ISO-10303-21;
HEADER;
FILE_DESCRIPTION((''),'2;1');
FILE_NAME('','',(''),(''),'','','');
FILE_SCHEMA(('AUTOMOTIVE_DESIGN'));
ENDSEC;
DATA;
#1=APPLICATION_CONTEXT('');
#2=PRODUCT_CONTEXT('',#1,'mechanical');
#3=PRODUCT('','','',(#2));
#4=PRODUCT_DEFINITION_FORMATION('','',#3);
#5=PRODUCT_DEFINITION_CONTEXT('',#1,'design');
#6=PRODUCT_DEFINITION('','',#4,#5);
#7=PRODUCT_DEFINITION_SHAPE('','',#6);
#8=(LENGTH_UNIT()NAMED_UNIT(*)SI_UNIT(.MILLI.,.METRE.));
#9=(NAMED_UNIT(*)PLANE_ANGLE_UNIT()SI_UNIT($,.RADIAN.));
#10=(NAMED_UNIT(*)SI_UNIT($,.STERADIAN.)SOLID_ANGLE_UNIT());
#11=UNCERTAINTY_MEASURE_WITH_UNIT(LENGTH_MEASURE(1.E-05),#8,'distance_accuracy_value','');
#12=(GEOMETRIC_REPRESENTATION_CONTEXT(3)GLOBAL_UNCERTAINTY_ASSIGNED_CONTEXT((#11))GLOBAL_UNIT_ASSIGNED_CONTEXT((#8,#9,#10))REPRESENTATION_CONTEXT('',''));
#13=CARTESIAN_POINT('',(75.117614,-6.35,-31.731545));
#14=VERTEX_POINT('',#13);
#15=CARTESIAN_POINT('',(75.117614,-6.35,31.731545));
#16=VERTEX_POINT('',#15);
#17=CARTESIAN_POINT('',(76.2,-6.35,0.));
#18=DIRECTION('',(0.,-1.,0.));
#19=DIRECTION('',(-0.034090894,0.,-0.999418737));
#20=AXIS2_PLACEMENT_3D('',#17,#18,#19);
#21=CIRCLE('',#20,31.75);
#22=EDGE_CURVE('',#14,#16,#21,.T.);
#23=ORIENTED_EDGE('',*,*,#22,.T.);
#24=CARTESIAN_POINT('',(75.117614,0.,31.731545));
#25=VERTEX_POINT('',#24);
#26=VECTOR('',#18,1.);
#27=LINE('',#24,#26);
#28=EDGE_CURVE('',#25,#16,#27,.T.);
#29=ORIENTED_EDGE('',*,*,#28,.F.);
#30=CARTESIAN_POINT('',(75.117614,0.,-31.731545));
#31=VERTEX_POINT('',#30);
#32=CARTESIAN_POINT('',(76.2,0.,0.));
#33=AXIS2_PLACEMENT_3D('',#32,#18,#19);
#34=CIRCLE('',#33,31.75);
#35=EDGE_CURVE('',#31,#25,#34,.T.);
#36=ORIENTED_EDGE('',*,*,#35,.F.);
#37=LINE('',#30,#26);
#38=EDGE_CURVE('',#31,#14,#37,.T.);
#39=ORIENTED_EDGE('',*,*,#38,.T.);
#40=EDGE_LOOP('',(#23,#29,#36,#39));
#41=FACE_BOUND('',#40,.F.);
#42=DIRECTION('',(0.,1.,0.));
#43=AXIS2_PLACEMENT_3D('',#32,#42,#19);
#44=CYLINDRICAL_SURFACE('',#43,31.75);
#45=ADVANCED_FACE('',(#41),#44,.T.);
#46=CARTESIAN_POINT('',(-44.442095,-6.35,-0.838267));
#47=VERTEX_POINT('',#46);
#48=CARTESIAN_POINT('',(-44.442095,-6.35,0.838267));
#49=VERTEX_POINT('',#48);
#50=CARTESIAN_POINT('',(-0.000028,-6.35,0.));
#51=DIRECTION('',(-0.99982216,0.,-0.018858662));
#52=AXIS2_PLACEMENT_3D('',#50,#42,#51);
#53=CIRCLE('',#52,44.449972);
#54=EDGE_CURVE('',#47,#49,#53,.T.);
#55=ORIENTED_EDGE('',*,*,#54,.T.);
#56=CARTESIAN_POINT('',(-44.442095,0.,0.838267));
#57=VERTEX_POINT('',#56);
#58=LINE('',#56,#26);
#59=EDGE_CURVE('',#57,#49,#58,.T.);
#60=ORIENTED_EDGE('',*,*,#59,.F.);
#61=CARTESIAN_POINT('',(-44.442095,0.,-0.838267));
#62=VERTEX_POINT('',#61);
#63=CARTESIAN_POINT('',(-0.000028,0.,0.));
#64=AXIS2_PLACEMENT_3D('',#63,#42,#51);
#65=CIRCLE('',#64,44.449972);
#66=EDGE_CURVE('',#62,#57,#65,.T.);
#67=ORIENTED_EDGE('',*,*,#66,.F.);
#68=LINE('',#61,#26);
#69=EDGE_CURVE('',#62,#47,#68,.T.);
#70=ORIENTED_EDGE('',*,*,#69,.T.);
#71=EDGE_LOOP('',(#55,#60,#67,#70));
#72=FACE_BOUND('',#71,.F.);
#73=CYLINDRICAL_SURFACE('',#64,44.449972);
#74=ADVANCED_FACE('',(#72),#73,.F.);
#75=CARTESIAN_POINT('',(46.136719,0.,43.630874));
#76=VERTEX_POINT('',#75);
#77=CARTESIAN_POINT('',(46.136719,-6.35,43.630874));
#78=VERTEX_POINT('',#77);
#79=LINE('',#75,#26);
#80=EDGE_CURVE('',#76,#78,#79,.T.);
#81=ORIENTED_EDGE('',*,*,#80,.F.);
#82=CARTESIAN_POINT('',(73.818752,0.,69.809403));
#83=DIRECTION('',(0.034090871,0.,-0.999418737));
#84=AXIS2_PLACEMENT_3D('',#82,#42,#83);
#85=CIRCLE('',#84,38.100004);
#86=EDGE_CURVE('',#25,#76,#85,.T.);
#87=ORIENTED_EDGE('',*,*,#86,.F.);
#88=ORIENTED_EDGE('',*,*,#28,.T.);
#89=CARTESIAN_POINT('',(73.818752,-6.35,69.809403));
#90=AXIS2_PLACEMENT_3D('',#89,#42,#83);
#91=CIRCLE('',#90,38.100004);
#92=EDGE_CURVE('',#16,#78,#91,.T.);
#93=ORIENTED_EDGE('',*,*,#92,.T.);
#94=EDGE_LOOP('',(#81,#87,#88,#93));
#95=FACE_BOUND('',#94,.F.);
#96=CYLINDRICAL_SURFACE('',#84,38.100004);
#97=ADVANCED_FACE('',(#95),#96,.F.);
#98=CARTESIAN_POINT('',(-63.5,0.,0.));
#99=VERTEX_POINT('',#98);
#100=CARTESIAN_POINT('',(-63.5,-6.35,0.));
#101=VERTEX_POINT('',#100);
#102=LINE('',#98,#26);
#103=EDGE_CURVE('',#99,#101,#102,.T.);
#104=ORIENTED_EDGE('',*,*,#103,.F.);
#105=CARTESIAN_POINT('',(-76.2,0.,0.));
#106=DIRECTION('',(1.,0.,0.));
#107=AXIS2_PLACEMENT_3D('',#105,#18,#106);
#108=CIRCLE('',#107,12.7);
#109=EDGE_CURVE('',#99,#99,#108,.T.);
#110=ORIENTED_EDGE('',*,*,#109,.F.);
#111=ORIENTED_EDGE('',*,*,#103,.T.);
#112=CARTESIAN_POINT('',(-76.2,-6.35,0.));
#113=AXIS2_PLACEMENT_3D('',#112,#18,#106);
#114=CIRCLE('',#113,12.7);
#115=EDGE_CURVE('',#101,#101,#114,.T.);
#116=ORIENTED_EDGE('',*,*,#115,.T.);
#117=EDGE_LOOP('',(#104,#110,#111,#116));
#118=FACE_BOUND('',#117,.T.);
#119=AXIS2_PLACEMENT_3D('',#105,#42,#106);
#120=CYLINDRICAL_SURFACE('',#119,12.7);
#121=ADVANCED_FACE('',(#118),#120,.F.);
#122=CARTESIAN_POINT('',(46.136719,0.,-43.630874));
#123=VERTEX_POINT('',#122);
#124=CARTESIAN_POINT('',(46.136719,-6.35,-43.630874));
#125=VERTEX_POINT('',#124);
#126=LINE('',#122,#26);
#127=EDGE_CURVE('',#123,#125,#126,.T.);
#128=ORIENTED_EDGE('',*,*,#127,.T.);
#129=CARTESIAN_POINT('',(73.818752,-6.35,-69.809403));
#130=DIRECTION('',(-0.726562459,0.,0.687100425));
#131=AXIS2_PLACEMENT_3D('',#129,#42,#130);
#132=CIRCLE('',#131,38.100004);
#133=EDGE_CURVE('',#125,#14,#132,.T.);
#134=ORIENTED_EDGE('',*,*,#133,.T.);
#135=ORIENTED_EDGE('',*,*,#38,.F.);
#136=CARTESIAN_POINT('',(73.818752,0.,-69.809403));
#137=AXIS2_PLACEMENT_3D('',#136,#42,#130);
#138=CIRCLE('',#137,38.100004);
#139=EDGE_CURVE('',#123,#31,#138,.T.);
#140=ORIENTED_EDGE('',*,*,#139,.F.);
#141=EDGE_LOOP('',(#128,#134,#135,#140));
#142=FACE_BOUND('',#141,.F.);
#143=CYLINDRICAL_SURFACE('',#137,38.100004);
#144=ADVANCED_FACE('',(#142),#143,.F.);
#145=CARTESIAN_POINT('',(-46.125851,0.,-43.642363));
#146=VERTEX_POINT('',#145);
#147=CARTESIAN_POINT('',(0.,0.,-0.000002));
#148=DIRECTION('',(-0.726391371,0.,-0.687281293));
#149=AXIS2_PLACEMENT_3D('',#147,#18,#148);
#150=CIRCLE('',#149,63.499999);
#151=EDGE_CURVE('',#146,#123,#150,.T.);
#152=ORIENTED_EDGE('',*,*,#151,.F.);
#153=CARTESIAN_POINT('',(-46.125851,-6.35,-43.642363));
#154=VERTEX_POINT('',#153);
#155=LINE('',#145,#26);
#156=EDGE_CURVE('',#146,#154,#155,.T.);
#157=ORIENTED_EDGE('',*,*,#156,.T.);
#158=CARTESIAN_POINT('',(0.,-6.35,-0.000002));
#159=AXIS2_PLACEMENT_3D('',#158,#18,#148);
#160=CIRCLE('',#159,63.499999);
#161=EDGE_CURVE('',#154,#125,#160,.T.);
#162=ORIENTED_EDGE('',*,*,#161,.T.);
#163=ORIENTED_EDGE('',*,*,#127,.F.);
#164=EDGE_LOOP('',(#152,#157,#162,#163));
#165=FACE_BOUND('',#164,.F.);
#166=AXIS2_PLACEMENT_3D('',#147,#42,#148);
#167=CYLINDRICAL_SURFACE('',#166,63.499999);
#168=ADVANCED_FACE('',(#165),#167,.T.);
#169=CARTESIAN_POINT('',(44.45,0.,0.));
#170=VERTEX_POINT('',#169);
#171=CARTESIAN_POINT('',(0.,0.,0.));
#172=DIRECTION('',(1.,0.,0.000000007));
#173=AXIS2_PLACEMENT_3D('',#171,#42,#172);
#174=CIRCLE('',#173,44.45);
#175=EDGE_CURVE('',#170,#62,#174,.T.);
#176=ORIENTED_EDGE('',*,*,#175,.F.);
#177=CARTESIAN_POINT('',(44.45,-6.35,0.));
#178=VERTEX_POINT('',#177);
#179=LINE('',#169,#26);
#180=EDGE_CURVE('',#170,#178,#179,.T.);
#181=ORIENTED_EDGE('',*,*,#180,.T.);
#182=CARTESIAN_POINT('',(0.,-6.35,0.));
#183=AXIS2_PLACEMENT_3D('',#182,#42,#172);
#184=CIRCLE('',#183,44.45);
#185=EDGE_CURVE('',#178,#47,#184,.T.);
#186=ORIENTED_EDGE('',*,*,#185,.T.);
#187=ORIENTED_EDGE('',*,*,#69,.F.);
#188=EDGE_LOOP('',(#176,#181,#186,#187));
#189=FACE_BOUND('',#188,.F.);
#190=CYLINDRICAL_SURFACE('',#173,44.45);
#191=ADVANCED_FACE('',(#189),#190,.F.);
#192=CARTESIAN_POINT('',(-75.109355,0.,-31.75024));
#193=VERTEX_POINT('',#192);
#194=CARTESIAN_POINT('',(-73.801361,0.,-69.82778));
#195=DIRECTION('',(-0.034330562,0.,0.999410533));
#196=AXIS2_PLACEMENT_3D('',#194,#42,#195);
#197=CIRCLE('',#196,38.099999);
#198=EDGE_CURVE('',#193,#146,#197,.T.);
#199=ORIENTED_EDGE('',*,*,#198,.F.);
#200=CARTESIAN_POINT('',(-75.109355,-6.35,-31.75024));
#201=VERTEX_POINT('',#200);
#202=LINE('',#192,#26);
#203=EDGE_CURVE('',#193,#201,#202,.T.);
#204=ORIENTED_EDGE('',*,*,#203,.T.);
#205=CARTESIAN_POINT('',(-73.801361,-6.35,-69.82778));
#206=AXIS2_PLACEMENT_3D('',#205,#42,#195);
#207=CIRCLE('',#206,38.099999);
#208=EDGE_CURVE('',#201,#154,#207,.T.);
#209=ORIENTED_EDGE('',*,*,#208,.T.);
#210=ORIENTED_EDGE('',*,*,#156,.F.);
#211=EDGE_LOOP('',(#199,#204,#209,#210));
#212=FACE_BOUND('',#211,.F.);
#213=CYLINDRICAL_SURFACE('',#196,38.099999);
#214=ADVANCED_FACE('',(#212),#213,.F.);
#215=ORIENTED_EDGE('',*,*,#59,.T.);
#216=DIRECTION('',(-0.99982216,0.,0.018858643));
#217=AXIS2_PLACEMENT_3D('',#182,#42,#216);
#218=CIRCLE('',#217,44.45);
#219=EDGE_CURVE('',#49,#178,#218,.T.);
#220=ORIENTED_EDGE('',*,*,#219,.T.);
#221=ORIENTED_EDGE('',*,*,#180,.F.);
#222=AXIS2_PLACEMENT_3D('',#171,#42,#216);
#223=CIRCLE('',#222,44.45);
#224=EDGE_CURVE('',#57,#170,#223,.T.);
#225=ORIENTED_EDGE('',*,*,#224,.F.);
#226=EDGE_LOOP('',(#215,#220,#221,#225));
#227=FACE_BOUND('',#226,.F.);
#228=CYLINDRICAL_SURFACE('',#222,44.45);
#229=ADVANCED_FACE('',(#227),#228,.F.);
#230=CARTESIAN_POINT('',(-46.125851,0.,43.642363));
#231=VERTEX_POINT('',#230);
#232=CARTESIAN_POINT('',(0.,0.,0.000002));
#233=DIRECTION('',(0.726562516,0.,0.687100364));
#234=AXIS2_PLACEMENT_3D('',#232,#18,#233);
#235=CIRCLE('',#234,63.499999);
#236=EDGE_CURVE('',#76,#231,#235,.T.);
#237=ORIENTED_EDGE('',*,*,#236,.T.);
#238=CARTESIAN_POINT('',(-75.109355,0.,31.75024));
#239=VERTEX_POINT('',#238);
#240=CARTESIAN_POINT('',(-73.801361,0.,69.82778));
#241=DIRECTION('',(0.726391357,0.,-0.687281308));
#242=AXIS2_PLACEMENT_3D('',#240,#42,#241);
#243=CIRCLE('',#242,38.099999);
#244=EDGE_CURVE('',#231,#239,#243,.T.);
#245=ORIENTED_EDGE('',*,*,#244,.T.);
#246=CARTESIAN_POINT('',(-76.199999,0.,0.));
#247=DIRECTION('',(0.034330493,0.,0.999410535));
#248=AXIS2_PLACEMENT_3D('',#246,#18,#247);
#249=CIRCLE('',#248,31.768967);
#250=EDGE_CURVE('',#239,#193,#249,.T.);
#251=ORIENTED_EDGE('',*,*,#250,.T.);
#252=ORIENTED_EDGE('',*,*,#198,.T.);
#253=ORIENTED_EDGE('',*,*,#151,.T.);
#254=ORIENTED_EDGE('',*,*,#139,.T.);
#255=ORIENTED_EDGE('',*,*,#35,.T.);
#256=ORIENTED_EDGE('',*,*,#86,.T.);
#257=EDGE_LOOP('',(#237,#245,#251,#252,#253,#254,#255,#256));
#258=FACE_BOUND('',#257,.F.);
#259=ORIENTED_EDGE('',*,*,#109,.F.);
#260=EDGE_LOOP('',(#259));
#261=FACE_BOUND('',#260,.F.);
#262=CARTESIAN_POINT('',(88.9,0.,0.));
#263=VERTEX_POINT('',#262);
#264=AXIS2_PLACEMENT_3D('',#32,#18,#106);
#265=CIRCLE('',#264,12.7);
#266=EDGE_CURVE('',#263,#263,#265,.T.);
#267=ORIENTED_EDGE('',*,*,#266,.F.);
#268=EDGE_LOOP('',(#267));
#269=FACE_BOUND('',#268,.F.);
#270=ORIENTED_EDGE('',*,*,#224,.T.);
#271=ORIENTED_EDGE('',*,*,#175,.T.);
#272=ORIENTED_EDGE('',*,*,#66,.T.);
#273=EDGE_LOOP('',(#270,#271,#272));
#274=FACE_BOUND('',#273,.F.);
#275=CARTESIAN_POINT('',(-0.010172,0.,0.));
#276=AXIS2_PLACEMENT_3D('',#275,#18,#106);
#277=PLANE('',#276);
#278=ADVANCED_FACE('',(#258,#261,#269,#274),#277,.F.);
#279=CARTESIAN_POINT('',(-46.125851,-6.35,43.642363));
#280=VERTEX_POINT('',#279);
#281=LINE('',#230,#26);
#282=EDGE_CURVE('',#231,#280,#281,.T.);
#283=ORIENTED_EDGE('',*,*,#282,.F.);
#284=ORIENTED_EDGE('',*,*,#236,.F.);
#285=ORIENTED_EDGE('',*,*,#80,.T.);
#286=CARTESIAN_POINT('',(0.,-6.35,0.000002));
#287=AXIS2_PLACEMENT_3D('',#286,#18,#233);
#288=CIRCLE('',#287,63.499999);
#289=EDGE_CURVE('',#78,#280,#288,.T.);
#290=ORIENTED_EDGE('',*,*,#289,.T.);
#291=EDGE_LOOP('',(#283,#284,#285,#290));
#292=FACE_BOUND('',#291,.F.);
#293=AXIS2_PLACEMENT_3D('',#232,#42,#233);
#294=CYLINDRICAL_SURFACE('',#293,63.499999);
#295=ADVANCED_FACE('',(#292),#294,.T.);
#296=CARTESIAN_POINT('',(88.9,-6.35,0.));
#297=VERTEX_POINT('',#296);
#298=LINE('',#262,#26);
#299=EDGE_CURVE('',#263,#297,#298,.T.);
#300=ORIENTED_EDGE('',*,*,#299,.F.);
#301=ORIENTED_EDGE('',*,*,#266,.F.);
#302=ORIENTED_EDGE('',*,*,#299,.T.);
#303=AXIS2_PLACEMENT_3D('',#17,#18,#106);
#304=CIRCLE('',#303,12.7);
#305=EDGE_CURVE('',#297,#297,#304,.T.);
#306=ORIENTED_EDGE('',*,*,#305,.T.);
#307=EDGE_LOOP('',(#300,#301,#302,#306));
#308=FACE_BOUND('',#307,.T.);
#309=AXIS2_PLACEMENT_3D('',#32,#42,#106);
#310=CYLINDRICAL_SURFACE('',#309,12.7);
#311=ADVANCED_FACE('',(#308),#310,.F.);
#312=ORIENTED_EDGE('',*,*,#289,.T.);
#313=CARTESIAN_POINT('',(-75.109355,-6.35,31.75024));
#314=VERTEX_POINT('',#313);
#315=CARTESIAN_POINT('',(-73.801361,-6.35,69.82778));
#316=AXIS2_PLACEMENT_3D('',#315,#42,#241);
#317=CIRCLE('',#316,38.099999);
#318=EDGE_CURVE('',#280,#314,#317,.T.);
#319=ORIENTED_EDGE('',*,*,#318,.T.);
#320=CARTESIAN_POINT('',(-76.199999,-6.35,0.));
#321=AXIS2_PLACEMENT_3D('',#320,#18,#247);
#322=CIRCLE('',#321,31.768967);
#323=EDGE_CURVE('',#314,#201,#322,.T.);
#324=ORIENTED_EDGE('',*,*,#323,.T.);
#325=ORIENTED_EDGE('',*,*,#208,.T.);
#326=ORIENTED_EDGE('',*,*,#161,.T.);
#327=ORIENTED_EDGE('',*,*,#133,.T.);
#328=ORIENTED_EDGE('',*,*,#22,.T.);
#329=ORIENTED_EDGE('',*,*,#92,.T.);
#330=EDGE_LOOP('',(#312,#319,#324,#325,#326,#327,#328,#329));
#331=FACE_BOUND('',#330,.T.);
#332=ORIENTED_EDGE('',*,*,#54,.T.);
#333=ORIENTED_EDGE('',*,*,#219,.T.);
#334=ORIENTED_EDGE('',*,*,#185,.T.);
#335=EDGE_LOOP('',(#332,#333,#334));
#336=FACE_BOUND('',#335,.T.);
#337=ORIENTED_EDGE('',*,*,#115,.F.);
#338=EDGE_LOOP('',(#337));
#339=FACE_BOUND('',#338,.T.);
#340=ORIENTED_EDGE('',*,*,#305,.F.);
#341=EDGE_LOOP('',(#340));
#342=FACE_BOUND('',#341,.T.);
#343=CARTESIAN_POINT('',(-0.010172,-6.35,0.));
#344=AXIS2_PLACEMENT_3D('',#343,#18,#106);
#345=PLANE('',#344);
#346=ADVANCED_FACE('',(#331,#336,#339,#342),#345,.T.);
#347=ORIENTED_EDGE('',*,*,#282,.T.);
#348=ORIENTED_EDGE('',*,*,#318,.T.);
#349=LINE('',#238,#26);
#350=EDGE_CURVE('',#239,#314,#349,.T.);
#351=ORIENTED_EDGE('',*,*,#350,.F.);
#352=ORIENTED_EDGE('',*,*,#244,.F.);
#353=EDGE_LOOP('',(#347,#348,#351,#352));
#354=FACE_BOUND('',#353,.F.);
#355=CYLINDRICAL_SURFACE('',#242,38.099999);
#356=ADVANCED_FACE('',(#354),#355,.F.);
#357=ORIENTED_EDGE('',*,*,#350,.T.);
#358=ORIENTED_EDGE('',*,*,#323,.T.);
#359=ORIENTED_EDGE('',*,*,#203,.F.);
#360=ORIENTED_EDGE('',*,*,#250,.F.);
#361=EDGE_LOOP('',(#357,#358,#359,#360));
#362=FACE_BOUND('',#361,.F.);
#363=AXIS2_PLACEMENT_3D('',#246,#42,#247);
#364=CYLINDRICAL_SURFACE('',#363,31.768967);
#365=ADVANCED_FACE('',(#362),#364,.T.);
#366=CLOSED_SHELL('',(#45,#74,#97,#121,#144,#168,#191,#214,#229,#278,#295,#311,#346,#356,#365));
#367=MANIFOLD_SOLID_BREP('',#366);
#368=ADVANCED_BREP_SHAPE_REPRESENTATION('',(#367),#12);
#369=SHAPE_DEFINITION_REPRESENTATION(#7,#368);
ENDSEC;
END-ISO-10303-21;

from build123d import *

# Parameters (mm, degrees)
F0_R     = 12.7
F1_DEPTH = 6.35


with BuildPart() as f1:
    # F0 (on Front) → F1 (new body)
    with BuildSketch(Plane.XZ):
        with BuildLine():
            ThreePointArc((-75.109355, -31.75024), (-59.33875, -34.579478), (-46.125851, -43.642363))
            ThreePointArc((-46.125851, -43.642363), (0.007907, -63.5), (46.136719, -43.630874))
            ThreePointArc((46.136719, -43.630874), (59.347524, -34.564632), (75.117614, -31.731545))
            ThreePointArc((75.117614, -31.731545), (107.95, 0), (75.117614, 31.731545))
            ThreePointArc((75.117614, 31.731545), (59.347524, 34.564632), (46.136719, 43.630874))
            ThreePointArc((46.136719, 43.630874), (0.007907, 63.5), (-46.125851, 43.642363))
            ThreePointArc((-46.125851, 43.642363), (-59.33875, 34.579478), (-75.109355, 31.75024))
            ThreePointArc((-75.109355, 31.75024), (-107.968966, 0), (-75.109355, -31.75024))
        make_face()
        with Locations((-76.2, 0)):
            Circle(F0_R, mode=Mode.SUBTRACT)
        with BuildLine():
            ThreePointArc((-44.442095, 0.838267), (0.419152, 44.448024), (44.45, 0))
            ThreePointArc((44.45, 0), (0.419152, -44.448024), (-44.442095, -0.838267))
            ThreePointArc((-44.442095, -0.838267), (-44.45, 0), (-44.442095, 0.838267))
        make_face(mode=Mode.SUBTRACT)
        with Locations((76.2, 0)):
            Circle(F0_R, mode=Mode.SUBTRACT)
    extrude(amount=F1_DEPTH)


solid = f1.part
